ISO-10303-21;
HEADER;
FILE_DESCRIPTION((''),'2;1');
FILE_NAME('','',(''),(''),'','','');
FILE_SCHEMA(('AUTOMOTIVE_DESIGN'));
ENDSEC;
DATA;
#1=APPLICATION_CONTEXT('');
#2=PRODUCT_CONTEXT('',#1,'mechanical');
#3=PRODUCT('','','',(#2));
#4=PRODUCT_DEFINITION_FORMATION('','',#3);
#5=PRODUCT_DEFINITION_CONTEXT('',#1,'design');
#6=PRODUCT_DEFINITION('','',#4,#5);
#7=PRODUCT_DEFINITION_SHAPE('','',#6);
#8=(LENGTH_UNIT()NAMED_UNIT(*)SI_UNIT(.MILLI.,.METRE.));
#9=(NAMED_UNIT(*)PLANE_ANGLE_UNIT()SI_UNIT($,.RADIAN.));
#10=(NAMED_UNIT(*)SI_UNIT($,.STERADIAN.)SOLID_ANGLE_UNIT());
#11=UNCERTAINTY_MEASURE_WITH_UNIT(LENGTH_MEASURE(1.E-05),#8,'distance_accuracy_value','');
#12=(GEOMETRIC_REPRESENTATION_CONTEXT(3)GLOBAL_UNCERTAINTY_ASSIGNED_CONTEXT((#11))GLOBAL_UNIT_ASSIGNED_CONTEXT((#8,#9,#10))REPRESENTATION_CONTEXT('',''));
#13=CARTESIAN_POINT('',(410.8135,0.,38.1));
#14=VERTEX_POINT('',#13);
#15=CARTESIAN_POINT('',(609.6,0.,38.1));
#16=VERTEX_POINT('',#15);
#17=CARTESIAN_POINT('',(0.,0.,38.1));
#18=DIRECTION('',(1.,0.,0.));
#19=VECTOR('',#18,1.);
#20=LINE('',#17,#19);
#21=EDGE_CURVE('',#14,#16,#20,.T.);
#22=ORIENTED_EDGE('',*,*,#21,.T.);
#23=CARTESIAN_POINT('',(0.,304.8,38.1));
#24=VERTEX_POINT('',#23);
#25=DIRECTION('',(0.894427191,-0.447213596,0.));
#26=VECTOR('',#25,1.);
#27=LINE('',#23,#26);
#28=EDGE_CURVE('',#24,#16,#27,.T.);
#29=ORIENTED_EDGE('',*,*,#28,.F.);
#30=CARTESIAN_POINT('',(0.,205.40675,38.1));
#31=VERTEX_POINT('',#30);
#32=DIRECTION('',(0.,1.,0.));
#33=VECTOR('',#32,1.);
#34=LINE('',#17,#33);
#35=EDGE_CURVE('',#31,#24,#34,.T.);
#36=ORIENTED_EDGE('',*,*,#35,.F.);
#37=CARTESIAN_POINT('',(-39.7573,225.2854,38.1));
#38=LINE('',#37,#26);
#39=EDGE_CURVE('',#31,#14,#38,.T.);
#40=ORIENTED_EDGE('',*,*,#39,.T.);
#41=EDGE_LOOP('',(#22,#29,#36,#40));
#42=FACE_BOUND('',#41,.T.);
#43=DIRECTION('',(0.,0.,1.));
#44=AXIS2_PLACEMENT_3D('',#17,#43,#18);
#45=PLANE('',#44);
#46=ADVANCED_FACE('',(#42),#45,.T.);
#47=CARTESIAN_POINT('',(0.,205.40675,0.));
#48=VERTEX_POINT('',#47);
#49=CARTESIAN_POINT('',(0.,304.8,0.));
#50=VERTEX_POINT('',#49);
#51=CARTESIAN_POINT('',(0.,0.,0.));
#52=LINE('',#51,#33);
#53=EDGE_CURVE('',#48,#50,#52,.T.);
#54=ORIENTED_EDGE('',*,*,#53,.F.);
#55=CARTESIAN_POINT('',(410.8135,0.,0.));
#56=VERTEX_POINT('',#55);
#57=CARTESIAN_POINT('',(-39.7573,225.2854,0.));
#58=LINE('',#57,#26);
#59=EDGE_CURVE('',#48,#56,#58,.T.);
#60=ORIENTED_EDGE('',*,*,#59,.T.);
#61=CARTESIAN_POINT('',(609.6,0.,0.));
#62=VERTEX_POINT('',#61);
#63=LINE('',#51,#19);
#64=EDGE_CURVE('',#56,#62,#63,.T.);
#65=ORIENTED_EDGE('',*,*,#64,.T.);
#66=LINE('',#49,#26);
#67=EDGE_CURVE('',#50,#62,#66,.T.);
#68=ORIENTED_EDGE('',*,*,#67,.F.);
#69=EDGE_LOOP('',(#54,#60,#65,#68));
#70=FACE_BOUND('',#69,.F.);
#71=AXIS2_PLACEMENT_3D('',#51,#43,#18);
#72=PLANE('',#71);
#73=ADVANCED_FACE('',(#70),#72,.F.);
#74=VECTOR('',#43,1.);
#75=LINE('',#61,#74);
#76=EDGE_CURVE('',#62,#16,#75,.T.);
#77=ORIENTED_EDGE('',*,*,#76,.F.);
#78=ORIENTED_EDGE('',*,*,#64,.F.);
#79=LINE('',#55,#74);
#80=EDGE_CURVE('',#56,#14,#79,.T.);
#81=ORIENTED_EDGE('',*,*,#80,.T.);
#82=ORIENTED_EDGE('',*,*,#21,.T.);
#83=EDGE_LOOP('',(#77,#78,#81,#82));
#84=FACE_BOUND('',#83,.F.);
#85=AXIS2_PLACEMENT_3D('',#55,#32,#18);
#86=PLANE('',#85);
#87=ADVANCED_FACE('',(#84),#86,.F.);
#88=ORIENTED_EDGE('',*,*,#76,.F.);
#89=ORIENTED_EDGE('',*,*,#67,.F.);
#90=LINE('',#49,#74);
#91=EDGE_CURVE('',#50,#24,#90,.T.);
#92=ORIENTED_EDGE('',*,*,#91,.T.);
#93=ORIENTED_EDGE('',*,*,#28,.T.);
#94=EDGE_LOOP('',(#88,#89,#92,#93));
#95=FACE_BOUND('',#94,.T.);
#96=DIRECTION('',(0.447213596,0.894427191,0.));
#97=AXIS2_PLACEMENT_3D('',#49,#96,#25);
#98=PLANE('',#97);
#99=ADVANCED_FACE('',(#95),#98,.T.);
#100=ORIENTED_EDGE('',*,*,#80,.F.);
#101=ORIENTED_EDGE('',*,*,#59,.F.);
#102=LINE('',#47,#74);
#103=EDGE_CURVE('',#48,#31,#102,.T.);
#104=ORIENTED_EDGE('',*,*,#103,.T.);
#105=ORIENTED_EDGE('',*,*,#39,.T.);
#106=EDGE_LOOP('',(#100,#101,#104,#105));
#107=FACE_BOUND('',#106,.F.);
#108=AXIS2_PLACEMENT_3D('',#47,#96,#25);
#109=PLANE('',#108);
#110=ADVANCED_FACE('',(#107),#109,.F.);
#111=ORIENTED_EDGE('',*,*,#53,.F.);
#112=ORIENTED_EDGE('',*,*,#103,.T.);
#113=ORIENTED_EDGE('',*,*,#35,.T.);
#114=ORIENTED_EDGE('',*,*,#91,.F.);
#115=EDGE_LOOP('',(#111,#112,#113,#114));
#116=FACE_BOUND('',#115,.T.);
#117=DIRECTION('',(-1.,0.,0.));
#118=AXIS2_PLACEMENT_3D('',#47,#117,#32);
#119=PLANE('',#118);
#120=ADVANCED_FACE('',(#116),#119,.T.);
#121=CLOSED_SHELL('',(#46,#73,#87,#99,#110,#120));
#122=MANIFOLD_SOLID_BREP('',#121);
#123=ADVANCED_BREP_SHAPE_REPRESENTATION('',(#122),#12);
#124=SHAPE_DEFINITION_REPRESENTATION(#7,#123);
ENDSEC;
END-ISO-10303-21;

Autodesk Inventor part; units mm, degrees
ref_plane "YZ Plane" through (0, 0, 0) normal (1, 0, 0) x (0, 1, 0)
ref_plane "XZ Plane" through (0, 0, 0) normal (0, 1, 0) x (-1, 0, 0)
ref_plane "XY Plane" through (0, 0, 0) normal (0, 0, 1) x (1, 0, 0)
sketch "Sketch1" plane through (0, 0, 0) normal (0, 0, 1) x (1, 0, 0)
  line L0 (0, 0) -> (0, 304.8)
  line L1 (0, 0) -> (609.6, 0)
  line L2 (0, 304.8) -> (609.6, 0)
  line L3 (0, 304.8) -> (-39.7573, 225.2854)
  line L4 (609.6, 0) -> (569.8427, -79.5146)
  line L5 (-39.7573, 225.2854) -> (569.8427, -79.5146)
  point P0 (0, 205.4068)
  point P1 (410.8136, 0)
  dimension "d2" = 304.8
  dimension "d3" = 609.6
  dimension "d4" = 88.9
  dimension "d5" = 90
  dimension "d6" = 88.9
  dimension "d7" = 90
extrude "Extrusion1" add sketch "Sketch1" along normal blind 38.1 contours L0 L2 L1 L5
properties part number "S_2x4x26.833"
